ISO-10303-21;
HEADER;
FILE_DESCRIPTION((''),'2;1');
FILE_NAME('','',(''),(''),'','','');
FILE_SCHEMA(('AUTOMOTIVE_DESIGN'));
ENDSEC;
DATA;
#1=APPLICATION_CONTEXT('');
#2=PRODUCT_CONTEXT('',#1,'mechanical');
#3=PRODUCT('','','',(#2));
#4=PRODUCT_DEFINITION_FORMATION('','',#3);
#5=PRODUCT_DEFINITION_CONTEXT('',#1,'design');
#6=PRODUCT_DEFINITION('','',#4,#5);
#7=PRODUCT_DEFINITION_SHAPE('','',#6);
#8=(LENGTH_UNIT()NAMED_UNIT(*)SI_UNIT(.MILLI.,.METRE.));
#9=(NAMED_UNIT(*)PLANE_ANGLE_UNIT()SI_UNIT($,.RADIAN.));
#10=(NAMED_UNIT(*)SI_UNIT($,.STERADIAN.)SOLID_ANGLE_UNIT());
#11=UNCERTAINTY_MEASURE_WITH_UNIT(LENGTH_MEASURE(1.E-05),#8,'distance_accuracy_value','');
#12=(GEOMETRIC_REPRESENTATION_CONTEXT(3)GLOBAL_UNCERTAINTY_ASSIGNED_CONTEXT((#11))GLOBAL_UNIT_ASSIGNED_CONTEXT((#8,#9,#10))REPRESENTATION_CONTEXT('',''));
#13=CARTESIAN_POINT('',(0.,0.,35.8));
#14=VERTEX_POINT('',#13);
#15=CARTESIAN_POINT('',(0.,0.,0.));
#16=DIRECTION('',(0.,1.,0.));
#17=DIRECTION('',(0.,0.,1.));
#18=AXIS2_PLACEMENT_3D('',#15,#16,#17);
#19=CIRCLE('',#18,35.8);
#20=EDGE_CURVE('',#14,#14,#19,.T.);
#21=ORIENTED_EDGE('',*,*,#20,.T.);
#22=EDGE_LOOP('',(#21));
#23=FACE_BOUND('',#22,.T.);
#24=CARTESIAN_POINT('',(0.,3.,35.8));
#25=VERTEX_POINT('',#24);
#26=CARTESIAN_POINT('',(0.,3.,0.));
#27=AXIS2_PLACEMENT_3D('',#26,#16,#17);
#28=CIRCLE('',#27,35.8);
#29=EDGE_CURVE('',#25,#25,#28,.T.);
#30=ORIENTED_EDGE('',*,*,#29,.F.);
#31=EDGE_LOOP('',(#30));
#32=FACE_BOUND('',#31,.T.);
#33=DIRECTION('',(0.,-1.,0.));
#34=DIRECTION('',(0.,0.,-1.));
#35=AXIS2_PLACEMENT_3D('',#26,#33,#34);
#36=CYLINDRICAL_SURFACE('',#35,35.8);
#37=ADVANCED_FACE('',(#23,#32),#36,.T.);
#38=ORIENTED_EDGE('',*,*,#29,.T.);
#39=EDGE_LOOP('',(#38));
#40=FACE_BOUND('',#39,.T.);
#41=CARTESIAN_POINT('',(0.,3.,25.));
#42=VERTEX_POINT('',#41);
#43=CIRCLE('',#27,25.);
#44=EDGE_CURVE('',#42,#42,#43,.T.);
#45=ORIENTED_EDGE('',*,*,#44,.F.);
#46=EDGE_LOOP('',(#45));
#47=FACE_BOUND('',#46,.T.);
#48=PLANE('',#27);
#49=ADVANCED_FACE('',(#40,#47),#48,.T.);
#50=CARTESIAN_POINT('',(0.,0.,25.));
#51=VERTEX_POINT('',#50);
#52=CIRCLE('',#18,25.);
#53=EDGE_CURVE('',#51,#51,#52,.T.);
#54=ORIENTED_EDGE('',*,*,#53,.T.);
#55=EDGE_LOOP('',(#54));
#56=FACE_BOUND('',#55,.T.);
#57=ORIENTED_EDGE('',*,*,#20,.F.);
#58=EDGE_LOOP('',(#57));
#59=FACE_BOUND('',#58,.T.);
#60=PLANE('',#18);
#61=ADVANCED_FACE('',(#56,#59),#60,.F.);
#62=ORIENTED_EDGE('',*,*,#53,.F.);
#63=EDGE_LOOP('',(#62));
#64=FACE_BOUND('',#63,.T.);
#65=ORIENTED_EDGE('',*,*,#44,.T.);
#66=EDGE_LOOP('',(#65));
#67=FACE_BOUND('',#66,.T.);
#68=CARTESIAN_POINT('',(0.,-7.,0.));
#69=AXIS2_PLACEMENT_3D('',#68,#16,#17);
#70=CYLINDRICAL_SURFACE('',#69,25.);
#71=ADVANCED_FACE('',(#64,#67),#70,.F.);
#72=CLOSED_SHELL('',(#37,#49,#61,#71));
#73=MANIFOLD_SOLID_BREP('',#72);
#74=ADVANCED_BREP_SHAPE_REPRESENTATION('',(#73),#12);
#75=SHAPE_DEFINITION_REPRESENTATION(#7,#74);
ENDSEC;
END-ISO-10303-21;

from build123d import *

# Parameters (mm, degrees)
SKETCH_1_R          = 35.8
SKETCH_1_R_2        = 2
SKETCH_1_R_3        = 7.5
EXTRUDE_1_DEPTH     = 3
SKETCH_2_R          = 25
CUT_EXTRUDE_1_DEPTH = 10


with BuildPart() as part:
    # 草图1 → 凸台-拉伸1 (new body)
    with BuildSketch(Plane(origin=(0, 0, 0), x_dir=(1, 0, 0), z_dir=(0, 1, 0))):
        with Locations(Location((0, 0, 0), (0, 0, 270))):
            Circle(SKETCH_1_R)
        with Locations(Location((0, -20, 0), (0, 0, 270))):
            Circle(SKETCH_1_R_2, mode=Mode.SUBTRACT)
        with Locations(Location((-17.320508076, 10, 0), (0, 0, 270))):
            Circle(SKETCH_1_R_2, mode=Mode.SUBTRACT)
        with Locations(Location((17.320508076, 10, 0), (0, 0, 270))):
            Circle(SKETCH_1_R_2, mode=Mode.SUBTRACT)
        with Locations(Location((0, 0, 0), (0, 0, 270))):
            Circle(SKETCH_1_R_3, mode=Mode.SUBTRACT)
    extrude(amount=EXTRUDE_1_DEPTH)

    # 草图2 → 切除-拉伸1 (cut)
    with BuildSketch(Plane(origin=(0, 3, 0), x_dir=(1, 0, 0), z_dir=(0, 1, 0))):
        with Locations(Location((0, 0, 0), (0, 0, 270))):
            Circle(SKETCH_2_R)
    extrude(amount=-CUT_EXTRUDE_1_DEPTH, mode=Mode.SUBTRACT)


solid = part.part
